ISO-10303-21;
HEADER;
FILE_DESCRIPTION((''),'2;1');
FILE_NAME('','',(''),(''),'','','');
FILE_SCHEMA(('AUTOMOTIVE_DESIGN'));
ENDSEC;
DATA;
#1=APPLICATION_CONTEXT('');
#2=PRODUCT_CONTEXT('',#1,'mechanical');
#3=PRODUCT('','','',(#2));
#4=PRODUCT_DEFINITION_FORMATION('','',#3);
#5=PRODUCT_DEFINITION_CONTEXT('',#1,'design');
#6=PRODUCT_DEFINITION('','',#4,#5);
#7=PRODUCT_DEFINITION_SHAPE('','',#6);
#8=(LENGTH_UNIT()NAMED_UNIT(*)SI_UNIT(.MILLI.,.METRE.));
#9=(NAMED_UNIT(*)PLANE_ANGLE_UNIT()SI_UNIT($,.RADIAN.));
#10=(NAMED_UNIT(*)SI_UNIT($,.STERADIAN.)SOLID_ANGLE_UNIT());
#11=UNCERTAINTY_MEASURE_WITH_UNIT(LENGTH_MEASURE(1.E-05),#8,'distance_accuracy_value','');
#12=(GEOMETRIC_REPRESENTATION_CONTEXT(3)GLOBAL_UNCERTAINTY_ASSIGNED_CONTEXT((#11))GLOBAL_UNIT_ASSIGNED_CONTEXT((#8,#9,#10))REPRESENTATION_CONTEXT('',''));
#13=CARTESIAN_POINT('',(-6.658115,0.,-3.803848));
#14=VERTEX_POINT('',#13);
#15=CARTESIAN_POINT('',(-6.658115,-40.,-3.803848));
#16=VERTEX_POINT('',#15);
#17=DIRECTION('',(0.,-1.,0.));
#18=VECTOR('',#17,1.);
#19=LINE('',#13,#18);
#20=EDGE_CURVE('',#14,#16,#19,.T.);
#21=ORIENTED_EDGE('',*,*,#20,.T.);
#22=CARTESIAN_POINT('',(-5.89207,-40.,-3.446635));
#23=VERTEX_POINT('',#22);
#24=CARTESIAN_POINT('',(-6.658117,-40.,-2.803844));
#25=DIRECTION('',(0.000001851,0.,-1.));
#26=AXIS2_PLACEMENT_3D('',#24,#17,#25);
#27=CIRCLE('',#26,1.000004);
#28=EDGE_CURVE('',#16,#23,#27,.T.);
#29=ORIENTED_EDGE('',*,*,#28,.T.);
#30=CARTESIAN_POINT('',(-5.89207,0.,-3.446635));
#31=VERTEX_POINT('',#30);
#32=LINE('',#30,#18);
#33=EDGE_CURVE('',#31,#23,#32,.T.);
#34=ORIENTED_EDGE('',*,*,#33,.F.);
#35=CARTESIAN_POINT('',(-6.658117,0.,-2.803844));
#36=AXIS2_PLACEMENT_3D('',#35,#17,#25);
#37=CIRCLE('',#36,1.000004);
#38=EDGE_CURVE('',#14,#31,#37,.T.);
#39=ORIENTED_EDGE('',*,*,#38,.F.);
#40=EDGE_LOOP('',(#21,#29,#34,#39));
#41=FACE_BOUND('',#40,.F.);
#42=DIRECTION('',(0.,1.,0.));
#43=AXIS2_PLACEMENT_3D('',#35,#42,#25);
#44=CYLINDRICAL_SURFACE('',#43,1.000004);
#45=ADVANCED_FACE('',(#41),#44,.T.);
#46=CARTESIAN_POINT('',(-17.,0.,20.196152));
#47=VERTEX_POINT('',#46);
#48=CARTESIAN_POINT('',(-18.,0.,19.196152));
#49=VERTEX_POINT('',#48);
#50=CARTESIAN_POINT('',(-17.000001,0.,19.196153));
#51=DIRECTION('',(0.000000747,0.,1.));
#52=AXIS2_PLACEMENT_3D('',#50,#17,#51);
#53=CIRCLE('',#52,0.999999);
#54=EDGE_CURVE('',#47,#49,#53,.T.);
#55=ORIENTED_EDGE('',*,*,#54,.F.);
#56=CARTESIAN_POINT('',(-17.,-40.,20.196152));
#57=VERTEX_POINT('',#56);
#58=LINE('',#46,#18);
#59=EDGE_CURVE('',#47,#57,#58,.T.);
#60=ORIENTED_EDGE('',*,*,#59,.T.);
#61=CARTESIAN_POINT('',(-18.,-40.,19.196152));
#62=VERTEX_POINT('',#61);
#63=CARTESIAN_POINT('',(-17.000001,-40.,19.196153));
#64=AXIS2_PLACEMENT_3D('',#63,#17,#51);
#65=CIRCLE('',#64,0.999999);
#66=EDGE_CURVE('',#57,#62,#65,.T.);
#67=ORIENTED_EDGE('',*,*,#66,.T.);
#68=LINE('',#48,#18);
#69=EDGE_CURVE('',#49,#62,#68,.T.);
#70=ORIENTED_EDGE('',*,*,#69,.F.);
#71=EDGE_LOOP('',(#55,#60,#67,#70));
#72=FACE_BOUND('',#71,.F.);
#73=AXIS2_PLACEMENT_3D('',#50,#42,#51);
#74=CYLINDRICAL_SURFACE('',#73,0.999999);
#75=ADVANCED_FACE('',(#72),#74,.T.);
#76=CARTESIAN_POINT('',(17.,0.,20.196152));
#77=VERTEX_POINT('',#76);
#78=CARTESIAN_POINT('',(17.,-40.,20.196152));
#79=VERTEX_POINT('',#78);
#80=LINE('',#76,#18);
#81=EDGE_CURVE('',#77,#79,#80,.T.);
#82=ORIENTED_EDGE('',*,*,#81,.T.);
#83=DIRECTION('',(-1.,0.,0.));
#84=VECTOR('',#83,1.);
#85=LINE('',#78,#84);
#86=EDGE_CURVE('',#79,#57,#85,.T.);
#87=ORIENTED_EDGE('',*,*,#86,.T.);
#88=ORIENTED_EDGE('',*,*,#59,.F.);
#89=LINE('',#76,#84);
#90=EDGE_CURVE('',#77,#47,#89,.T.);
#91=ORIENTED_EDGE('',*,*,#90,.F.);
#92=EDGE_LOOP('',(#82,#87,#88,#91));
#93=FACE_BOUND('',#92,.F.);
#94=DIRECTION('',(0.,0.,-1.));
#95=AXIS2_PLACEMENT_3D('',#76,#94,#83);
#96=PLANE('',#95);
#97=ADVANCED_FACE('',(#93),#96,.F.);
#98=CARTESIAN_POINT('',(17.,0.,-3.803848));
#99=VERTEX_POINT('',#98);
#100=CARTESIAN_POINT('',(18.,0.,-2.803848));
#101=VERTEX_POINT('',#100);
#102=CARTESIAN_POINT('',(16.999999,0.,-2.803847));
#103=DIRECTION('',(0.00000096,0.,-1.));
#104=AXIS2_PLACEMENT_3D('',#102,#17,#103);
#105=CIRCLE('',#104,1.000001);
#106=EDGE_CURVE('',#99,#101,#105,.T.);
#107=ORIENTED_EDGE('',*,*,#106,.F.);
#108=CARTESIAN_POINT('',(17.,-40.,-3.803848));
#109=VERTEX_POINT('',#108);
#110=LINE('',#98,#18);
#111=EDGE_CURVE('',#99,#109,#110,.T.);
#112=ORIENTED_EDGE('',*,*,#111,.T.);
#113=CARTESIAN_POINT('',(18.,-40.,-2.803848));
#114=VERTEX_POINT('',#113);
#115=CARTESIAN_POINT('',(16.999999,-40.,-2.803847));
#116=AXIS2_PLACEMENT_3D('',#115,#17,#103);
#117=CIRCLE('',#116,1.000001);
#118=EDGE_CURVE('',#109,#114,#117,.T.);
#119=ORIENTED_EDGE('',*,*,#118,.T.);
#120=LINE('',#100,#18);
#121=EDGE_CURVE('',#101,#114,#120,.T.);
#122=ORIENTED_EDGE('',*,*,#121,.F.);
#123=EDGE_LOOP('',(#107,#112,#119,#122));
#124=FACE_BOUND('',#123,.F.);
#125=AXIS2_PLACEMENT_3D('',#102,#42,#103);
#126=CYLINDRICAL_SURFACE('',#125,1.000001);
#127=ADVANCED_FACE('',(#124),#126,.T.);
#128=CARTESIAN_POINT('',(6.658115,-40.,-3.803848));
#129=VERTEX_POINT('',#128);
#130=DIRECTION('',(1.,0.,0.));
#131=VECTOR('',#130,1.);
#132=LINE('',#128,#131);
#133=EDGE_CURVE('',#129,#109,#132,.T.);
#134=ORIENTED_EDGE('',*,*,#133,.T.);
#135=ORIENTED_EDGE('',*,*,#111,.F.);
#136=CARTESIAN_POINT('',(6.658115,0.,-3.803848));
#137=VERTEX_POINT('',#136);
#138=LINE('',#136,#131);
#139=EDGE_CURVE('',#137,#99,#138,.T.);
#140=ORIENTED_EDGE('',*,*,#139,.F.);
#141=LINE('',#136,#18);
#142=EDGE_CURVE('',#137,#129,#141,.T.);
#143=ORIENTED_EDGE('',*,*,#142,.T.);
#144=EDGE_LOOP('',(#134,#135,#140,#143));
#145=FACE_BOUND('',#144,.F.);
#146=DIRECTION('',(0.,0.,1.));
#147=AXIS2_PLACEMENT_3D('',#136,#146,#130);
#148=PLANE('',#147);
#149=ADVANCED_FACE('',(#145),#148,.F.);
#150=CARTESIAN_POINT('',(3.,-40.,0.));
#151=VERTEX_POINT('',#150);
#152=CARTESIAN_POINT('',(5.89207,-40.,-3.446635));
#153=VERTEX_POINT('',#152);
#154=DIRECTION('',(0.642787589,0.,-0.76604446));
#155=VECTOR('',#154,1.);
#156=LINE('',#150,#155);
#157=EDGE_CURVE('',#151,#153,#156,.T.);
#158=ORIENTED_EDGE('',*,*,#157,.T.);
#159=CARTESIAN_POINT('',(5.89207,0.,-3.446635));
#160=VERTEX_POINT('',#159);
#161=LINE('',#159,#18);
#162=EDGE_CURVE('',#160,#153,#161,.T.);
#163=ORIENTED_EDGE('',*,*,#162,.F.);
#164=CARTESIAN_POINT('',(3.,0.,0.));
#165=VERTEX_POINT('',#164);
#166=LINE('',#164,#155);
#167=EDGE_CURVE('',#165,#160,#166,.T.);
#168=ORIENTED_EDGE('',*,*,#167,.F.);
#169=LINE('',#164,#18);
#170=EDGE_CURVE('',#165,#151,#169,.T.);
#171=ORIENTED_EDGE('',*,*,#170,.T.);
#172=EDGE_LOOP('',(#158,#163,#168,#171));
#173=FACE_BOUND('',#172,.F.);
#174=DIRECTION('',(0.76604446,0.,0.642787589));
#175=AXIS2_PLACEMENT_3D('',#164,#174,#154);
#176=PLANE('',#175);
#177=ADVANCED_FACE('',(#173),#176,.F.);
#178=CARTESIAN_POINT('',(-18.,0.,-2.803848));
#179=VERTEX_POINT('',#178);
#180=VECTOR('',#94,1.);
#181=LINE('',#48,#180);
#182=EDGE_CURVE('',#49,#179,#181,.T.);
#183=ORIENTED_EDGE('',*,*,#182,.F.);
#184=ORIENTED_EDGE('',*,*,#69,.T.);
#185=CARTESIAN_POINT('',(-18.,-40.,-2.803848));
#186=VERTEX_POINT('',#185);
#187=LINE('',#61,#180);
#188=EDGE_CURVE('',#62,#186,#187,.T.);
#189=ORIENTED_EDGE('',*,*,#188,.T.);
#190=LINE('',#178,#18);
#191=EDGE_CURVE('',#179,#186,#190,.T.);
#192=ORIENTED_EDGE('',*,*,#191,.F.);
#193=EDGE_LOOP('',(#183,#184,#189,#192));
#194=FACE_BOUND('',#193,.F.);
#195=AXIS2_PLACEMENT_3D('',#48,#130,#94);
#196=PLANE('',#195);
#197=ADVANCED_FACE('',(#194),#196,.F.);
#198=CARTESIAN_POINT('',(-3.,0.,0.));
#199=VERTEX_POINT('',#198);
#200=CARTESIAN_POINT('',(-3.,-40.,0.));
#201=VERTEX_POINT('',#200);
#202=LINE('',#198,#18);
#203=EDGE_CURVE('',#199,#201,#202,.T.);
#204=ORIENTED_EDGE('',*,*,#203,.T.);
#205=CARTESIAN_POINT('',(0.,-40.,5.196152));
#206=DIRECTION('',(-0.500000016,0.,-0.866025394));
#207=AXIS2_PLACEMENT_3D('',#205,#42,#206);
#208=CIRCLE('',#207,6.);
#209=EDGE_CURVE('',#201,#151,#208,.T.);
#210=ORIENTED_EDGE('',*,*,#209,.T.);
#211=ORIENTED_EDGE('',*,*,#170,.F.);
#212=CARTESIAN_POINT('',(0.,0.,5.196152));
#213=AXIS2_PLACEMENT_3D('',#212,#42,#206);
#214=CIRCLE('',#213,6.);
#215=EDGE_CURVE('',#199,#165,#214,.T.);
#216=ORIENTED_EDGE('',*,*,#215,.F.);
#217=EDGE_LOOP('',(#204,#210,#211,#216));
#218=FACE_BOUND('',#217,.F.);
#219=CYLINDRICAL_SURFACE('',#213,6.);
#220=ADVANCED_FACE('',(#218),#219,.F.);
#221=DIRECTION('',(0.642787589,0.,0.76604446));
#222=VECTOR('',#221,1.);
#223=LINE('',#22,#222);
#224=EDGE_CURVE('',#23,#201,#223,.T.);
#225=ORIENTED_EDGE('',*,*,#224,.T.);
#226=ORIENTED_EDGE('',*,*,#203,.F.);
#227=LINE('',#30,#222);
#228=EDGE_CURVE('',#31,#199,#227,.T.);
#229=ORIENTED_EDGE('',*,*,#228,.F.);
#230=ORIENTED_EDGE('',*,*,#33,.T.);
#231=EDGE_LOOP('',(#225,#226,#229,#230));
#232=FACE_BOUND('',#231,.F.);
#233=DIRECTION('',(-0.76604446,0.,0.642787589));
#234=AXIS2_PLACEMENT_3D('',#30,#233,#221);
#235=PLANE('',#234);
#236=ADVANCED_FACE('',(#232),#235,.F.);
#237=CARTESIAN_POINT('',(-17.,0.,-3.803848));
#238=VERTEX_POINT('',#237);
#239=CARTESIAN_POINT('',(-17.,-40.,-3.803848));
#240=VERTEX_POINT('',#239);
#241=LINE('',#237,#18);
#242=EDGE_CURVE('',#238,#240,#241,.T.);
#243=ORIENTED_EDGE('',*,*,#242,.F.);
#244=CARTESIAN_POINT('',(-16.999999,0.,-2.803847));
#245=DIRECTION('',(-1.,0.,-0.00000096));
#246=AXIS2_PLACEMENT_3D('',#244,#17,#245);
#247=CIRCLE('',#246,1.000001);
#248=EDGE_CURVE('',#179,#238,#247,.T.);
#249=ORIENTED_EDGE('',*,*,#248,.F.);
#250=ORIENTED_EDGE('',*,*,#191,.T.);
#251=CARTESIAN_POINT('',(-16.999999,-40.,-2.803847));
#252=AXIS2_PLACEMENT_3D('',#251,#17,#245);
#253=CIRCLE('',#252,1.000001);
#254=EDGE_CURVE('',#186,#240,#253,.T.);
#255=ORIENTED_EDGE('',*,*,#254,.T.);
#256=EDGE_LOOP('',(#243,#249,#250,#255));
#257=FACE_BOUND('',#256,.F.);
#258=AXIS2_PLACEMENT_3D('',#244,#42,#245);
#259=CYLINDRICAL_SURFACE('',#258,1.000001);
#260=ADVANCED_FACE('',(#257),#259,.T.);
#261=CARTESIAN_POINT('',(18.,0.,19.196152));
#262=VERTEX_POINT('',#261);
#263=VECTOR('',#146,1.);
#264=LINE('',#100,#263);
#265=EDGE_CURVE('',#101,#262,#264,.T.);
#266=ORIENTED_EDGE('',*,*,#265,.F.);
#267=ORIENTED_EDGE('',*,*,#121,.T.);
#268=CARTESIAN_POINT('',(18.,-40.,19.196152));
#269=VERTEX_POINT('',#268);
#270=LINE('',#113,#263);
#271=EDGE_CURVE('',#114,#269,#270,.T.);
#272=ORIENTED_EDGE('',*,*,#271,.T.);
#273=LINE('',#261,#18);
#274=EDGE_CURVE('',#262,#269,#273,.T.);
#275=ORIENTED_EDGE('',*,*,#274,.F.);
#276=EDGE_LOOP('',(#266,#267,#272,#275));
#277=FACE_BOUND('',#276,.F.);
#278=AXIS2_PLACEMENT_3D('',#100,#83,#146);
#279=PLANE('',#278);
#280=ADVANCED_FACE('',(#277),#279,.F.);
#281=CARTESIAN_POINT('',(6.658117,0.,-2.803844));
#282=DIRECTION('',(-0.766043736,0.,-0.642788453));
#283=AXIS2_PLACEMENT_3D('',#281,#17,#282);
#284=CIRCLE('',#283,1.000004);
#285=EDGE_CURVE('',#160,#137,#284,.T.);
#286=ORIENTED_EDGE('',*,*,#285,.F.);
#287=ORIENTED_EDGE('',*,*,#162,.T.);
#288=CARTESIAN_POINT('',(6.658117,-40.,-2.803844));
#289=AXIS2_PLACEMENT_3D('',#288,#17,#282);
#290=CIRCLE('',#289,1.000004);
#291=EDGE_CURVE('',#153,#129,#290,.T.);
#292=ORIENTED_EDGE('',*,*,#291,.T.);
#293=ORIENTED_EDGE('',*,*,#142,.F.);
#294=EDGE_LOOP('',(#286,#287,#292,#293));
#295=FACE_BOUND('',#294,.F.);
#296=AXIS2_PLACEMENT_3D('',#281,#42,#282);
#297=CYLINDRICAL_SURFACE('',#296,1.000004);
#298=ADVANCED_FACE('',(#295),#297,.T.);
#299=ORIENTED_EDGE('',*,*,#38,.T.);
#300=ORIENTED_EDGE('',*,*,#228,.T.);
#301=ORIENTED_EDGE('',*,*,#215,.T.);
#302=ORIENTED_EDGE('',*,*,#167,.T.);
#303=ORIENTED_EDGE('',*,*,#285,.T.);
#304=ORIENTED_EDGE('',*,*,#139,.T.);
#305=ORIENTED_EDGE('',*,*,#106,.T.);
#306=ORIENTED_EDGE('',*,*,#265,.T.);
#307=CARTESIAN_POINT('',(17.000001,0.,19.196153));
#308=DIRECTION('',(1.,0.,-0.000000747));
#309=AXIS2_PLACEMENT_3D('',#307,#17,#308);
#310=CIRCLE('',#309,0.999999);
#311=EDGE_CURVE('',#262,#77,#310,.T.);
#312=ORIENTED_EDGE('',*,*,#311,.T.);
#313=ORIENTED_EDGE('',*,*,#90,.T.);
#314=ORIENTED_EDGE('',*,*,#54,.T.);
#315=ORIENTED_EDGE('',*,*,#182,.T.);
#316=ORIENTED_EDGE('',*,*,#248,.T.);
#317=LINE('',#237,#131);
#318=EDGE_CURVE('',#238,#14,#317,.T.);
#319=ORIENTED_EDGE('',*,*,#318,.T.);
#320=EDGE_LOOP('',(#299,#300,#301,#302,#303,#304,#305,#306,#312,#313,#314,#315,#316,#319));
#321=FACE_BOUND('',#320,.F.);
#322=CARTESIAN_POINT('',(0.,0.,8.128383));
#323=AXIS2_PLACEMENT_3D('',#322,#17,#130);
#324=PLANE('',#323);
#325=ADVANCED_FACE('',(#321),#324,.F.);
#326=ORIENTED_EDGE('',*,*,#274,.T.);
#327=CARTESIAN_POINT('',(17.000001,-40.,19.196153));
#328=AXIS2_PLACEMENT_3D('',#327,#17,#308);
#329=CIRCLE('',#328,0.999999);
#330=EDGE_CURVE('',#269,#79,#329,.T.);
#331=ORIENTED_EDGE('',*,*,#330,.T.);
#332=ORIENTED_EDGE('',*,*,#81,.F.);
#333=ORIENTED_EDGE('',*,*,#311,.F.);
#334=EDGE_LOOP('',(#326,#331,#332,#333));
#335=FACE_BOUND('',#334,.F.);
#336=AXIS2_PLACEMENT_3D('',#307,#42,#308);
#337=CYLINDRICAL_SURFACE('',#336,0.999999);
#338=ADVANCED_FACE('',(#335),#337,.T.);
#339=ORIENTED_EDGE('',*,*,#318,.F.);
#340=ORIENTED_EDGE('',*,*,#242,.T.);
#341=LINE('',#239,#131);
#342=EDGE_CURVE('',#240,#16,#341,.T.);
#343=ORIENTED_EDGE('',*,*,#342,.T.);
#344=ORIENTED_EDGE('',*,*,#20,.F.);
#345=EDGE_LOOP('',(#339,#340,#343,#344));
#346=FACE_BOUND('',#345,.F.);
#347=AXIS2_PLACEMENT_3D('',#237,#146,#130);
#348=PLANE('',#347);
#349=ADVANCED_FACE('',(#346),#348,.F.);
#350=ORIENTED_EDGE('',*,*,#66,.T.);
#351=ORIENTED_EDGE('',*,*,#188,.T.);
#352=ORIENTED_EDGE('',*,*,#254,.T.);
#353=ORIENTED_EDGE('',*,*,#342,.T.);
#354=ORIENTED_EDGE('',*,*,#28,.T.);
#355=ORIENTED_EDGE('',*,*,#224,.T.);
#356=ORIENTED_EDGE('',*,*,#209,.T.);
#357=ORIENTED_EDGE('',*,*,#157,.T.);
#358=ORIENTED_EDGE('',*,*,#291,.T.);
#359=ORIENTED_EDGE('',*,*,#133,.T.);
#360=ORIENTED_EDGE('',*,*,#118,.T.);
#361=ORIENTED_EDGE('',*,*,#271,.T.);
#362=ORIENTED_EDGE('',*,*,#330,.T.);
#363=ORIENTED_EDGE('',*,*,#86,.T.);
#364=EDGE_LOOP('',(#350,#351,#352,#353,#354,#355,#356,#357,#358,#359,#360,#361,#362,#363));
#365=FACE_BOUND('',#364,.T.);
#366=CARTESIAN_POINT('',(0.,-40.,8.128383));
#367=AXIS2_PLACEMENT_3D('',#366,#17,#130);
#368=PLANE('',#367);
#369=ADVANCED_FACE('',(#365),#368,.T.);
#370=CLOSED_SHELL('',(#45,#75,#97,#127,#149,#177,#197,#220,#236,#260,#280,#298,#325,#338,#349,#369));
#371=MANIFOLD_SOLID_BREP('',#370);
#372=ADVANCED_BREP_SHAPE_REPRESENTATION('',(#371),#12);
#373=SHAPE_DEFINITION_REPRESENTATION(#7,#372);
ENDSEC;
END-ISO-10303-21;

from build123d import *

# Parameters (mm, degrees)
F1_DEPTH = 40


with BuildPart() as f1:
    # F0 (on Front) → F1 (new body)
    with BuildSketch(Plane.XZ):
        with BuildLine():
            ThreePointArc((-18, -2.803848), (-17.707107, -3.510954), (-17, -3.803848))
            Line((-17, -3.803848), (-6.658115, -3.803848))
            ThreePointArc((-6.658115, -3.803848), (-6.235496, -3.710155), (-5.89207, -3.446635))
            Line((-5.89207, -3.446635), (-3, 0))
            ThreePointArc((-3, 0), (0, 11.196152), (3, 0))
            Line((3, 0), (5.89207, -3.446635))
            ThreePointArc((5.89207, -3.446635), (6.235496, -3.710155), (6.658115, -3.803848))
            Line((6.658115, -3.803848), (17, -3.803848))
            ThreePointArc((17, -3.803848), (17.707107, -3.510954), (18, -2.803848))
            Line((18, -2.803848), (18, 19.196152))
            ThreePointArc((18, 19.196152), (17.707107, 19.903259), (17, 20.196152))
            Line((17, 20.196152), (-17, 20.196152))
            ThreePointArc((-17, 20.196152), (-17.707107, 19.903259), (-18, 19.196152))
            Line((-18, 19.196152), (-18, -2.803848))
        make_face()
    extrude(amount=F1_DEPTH)


solid = f1.part
